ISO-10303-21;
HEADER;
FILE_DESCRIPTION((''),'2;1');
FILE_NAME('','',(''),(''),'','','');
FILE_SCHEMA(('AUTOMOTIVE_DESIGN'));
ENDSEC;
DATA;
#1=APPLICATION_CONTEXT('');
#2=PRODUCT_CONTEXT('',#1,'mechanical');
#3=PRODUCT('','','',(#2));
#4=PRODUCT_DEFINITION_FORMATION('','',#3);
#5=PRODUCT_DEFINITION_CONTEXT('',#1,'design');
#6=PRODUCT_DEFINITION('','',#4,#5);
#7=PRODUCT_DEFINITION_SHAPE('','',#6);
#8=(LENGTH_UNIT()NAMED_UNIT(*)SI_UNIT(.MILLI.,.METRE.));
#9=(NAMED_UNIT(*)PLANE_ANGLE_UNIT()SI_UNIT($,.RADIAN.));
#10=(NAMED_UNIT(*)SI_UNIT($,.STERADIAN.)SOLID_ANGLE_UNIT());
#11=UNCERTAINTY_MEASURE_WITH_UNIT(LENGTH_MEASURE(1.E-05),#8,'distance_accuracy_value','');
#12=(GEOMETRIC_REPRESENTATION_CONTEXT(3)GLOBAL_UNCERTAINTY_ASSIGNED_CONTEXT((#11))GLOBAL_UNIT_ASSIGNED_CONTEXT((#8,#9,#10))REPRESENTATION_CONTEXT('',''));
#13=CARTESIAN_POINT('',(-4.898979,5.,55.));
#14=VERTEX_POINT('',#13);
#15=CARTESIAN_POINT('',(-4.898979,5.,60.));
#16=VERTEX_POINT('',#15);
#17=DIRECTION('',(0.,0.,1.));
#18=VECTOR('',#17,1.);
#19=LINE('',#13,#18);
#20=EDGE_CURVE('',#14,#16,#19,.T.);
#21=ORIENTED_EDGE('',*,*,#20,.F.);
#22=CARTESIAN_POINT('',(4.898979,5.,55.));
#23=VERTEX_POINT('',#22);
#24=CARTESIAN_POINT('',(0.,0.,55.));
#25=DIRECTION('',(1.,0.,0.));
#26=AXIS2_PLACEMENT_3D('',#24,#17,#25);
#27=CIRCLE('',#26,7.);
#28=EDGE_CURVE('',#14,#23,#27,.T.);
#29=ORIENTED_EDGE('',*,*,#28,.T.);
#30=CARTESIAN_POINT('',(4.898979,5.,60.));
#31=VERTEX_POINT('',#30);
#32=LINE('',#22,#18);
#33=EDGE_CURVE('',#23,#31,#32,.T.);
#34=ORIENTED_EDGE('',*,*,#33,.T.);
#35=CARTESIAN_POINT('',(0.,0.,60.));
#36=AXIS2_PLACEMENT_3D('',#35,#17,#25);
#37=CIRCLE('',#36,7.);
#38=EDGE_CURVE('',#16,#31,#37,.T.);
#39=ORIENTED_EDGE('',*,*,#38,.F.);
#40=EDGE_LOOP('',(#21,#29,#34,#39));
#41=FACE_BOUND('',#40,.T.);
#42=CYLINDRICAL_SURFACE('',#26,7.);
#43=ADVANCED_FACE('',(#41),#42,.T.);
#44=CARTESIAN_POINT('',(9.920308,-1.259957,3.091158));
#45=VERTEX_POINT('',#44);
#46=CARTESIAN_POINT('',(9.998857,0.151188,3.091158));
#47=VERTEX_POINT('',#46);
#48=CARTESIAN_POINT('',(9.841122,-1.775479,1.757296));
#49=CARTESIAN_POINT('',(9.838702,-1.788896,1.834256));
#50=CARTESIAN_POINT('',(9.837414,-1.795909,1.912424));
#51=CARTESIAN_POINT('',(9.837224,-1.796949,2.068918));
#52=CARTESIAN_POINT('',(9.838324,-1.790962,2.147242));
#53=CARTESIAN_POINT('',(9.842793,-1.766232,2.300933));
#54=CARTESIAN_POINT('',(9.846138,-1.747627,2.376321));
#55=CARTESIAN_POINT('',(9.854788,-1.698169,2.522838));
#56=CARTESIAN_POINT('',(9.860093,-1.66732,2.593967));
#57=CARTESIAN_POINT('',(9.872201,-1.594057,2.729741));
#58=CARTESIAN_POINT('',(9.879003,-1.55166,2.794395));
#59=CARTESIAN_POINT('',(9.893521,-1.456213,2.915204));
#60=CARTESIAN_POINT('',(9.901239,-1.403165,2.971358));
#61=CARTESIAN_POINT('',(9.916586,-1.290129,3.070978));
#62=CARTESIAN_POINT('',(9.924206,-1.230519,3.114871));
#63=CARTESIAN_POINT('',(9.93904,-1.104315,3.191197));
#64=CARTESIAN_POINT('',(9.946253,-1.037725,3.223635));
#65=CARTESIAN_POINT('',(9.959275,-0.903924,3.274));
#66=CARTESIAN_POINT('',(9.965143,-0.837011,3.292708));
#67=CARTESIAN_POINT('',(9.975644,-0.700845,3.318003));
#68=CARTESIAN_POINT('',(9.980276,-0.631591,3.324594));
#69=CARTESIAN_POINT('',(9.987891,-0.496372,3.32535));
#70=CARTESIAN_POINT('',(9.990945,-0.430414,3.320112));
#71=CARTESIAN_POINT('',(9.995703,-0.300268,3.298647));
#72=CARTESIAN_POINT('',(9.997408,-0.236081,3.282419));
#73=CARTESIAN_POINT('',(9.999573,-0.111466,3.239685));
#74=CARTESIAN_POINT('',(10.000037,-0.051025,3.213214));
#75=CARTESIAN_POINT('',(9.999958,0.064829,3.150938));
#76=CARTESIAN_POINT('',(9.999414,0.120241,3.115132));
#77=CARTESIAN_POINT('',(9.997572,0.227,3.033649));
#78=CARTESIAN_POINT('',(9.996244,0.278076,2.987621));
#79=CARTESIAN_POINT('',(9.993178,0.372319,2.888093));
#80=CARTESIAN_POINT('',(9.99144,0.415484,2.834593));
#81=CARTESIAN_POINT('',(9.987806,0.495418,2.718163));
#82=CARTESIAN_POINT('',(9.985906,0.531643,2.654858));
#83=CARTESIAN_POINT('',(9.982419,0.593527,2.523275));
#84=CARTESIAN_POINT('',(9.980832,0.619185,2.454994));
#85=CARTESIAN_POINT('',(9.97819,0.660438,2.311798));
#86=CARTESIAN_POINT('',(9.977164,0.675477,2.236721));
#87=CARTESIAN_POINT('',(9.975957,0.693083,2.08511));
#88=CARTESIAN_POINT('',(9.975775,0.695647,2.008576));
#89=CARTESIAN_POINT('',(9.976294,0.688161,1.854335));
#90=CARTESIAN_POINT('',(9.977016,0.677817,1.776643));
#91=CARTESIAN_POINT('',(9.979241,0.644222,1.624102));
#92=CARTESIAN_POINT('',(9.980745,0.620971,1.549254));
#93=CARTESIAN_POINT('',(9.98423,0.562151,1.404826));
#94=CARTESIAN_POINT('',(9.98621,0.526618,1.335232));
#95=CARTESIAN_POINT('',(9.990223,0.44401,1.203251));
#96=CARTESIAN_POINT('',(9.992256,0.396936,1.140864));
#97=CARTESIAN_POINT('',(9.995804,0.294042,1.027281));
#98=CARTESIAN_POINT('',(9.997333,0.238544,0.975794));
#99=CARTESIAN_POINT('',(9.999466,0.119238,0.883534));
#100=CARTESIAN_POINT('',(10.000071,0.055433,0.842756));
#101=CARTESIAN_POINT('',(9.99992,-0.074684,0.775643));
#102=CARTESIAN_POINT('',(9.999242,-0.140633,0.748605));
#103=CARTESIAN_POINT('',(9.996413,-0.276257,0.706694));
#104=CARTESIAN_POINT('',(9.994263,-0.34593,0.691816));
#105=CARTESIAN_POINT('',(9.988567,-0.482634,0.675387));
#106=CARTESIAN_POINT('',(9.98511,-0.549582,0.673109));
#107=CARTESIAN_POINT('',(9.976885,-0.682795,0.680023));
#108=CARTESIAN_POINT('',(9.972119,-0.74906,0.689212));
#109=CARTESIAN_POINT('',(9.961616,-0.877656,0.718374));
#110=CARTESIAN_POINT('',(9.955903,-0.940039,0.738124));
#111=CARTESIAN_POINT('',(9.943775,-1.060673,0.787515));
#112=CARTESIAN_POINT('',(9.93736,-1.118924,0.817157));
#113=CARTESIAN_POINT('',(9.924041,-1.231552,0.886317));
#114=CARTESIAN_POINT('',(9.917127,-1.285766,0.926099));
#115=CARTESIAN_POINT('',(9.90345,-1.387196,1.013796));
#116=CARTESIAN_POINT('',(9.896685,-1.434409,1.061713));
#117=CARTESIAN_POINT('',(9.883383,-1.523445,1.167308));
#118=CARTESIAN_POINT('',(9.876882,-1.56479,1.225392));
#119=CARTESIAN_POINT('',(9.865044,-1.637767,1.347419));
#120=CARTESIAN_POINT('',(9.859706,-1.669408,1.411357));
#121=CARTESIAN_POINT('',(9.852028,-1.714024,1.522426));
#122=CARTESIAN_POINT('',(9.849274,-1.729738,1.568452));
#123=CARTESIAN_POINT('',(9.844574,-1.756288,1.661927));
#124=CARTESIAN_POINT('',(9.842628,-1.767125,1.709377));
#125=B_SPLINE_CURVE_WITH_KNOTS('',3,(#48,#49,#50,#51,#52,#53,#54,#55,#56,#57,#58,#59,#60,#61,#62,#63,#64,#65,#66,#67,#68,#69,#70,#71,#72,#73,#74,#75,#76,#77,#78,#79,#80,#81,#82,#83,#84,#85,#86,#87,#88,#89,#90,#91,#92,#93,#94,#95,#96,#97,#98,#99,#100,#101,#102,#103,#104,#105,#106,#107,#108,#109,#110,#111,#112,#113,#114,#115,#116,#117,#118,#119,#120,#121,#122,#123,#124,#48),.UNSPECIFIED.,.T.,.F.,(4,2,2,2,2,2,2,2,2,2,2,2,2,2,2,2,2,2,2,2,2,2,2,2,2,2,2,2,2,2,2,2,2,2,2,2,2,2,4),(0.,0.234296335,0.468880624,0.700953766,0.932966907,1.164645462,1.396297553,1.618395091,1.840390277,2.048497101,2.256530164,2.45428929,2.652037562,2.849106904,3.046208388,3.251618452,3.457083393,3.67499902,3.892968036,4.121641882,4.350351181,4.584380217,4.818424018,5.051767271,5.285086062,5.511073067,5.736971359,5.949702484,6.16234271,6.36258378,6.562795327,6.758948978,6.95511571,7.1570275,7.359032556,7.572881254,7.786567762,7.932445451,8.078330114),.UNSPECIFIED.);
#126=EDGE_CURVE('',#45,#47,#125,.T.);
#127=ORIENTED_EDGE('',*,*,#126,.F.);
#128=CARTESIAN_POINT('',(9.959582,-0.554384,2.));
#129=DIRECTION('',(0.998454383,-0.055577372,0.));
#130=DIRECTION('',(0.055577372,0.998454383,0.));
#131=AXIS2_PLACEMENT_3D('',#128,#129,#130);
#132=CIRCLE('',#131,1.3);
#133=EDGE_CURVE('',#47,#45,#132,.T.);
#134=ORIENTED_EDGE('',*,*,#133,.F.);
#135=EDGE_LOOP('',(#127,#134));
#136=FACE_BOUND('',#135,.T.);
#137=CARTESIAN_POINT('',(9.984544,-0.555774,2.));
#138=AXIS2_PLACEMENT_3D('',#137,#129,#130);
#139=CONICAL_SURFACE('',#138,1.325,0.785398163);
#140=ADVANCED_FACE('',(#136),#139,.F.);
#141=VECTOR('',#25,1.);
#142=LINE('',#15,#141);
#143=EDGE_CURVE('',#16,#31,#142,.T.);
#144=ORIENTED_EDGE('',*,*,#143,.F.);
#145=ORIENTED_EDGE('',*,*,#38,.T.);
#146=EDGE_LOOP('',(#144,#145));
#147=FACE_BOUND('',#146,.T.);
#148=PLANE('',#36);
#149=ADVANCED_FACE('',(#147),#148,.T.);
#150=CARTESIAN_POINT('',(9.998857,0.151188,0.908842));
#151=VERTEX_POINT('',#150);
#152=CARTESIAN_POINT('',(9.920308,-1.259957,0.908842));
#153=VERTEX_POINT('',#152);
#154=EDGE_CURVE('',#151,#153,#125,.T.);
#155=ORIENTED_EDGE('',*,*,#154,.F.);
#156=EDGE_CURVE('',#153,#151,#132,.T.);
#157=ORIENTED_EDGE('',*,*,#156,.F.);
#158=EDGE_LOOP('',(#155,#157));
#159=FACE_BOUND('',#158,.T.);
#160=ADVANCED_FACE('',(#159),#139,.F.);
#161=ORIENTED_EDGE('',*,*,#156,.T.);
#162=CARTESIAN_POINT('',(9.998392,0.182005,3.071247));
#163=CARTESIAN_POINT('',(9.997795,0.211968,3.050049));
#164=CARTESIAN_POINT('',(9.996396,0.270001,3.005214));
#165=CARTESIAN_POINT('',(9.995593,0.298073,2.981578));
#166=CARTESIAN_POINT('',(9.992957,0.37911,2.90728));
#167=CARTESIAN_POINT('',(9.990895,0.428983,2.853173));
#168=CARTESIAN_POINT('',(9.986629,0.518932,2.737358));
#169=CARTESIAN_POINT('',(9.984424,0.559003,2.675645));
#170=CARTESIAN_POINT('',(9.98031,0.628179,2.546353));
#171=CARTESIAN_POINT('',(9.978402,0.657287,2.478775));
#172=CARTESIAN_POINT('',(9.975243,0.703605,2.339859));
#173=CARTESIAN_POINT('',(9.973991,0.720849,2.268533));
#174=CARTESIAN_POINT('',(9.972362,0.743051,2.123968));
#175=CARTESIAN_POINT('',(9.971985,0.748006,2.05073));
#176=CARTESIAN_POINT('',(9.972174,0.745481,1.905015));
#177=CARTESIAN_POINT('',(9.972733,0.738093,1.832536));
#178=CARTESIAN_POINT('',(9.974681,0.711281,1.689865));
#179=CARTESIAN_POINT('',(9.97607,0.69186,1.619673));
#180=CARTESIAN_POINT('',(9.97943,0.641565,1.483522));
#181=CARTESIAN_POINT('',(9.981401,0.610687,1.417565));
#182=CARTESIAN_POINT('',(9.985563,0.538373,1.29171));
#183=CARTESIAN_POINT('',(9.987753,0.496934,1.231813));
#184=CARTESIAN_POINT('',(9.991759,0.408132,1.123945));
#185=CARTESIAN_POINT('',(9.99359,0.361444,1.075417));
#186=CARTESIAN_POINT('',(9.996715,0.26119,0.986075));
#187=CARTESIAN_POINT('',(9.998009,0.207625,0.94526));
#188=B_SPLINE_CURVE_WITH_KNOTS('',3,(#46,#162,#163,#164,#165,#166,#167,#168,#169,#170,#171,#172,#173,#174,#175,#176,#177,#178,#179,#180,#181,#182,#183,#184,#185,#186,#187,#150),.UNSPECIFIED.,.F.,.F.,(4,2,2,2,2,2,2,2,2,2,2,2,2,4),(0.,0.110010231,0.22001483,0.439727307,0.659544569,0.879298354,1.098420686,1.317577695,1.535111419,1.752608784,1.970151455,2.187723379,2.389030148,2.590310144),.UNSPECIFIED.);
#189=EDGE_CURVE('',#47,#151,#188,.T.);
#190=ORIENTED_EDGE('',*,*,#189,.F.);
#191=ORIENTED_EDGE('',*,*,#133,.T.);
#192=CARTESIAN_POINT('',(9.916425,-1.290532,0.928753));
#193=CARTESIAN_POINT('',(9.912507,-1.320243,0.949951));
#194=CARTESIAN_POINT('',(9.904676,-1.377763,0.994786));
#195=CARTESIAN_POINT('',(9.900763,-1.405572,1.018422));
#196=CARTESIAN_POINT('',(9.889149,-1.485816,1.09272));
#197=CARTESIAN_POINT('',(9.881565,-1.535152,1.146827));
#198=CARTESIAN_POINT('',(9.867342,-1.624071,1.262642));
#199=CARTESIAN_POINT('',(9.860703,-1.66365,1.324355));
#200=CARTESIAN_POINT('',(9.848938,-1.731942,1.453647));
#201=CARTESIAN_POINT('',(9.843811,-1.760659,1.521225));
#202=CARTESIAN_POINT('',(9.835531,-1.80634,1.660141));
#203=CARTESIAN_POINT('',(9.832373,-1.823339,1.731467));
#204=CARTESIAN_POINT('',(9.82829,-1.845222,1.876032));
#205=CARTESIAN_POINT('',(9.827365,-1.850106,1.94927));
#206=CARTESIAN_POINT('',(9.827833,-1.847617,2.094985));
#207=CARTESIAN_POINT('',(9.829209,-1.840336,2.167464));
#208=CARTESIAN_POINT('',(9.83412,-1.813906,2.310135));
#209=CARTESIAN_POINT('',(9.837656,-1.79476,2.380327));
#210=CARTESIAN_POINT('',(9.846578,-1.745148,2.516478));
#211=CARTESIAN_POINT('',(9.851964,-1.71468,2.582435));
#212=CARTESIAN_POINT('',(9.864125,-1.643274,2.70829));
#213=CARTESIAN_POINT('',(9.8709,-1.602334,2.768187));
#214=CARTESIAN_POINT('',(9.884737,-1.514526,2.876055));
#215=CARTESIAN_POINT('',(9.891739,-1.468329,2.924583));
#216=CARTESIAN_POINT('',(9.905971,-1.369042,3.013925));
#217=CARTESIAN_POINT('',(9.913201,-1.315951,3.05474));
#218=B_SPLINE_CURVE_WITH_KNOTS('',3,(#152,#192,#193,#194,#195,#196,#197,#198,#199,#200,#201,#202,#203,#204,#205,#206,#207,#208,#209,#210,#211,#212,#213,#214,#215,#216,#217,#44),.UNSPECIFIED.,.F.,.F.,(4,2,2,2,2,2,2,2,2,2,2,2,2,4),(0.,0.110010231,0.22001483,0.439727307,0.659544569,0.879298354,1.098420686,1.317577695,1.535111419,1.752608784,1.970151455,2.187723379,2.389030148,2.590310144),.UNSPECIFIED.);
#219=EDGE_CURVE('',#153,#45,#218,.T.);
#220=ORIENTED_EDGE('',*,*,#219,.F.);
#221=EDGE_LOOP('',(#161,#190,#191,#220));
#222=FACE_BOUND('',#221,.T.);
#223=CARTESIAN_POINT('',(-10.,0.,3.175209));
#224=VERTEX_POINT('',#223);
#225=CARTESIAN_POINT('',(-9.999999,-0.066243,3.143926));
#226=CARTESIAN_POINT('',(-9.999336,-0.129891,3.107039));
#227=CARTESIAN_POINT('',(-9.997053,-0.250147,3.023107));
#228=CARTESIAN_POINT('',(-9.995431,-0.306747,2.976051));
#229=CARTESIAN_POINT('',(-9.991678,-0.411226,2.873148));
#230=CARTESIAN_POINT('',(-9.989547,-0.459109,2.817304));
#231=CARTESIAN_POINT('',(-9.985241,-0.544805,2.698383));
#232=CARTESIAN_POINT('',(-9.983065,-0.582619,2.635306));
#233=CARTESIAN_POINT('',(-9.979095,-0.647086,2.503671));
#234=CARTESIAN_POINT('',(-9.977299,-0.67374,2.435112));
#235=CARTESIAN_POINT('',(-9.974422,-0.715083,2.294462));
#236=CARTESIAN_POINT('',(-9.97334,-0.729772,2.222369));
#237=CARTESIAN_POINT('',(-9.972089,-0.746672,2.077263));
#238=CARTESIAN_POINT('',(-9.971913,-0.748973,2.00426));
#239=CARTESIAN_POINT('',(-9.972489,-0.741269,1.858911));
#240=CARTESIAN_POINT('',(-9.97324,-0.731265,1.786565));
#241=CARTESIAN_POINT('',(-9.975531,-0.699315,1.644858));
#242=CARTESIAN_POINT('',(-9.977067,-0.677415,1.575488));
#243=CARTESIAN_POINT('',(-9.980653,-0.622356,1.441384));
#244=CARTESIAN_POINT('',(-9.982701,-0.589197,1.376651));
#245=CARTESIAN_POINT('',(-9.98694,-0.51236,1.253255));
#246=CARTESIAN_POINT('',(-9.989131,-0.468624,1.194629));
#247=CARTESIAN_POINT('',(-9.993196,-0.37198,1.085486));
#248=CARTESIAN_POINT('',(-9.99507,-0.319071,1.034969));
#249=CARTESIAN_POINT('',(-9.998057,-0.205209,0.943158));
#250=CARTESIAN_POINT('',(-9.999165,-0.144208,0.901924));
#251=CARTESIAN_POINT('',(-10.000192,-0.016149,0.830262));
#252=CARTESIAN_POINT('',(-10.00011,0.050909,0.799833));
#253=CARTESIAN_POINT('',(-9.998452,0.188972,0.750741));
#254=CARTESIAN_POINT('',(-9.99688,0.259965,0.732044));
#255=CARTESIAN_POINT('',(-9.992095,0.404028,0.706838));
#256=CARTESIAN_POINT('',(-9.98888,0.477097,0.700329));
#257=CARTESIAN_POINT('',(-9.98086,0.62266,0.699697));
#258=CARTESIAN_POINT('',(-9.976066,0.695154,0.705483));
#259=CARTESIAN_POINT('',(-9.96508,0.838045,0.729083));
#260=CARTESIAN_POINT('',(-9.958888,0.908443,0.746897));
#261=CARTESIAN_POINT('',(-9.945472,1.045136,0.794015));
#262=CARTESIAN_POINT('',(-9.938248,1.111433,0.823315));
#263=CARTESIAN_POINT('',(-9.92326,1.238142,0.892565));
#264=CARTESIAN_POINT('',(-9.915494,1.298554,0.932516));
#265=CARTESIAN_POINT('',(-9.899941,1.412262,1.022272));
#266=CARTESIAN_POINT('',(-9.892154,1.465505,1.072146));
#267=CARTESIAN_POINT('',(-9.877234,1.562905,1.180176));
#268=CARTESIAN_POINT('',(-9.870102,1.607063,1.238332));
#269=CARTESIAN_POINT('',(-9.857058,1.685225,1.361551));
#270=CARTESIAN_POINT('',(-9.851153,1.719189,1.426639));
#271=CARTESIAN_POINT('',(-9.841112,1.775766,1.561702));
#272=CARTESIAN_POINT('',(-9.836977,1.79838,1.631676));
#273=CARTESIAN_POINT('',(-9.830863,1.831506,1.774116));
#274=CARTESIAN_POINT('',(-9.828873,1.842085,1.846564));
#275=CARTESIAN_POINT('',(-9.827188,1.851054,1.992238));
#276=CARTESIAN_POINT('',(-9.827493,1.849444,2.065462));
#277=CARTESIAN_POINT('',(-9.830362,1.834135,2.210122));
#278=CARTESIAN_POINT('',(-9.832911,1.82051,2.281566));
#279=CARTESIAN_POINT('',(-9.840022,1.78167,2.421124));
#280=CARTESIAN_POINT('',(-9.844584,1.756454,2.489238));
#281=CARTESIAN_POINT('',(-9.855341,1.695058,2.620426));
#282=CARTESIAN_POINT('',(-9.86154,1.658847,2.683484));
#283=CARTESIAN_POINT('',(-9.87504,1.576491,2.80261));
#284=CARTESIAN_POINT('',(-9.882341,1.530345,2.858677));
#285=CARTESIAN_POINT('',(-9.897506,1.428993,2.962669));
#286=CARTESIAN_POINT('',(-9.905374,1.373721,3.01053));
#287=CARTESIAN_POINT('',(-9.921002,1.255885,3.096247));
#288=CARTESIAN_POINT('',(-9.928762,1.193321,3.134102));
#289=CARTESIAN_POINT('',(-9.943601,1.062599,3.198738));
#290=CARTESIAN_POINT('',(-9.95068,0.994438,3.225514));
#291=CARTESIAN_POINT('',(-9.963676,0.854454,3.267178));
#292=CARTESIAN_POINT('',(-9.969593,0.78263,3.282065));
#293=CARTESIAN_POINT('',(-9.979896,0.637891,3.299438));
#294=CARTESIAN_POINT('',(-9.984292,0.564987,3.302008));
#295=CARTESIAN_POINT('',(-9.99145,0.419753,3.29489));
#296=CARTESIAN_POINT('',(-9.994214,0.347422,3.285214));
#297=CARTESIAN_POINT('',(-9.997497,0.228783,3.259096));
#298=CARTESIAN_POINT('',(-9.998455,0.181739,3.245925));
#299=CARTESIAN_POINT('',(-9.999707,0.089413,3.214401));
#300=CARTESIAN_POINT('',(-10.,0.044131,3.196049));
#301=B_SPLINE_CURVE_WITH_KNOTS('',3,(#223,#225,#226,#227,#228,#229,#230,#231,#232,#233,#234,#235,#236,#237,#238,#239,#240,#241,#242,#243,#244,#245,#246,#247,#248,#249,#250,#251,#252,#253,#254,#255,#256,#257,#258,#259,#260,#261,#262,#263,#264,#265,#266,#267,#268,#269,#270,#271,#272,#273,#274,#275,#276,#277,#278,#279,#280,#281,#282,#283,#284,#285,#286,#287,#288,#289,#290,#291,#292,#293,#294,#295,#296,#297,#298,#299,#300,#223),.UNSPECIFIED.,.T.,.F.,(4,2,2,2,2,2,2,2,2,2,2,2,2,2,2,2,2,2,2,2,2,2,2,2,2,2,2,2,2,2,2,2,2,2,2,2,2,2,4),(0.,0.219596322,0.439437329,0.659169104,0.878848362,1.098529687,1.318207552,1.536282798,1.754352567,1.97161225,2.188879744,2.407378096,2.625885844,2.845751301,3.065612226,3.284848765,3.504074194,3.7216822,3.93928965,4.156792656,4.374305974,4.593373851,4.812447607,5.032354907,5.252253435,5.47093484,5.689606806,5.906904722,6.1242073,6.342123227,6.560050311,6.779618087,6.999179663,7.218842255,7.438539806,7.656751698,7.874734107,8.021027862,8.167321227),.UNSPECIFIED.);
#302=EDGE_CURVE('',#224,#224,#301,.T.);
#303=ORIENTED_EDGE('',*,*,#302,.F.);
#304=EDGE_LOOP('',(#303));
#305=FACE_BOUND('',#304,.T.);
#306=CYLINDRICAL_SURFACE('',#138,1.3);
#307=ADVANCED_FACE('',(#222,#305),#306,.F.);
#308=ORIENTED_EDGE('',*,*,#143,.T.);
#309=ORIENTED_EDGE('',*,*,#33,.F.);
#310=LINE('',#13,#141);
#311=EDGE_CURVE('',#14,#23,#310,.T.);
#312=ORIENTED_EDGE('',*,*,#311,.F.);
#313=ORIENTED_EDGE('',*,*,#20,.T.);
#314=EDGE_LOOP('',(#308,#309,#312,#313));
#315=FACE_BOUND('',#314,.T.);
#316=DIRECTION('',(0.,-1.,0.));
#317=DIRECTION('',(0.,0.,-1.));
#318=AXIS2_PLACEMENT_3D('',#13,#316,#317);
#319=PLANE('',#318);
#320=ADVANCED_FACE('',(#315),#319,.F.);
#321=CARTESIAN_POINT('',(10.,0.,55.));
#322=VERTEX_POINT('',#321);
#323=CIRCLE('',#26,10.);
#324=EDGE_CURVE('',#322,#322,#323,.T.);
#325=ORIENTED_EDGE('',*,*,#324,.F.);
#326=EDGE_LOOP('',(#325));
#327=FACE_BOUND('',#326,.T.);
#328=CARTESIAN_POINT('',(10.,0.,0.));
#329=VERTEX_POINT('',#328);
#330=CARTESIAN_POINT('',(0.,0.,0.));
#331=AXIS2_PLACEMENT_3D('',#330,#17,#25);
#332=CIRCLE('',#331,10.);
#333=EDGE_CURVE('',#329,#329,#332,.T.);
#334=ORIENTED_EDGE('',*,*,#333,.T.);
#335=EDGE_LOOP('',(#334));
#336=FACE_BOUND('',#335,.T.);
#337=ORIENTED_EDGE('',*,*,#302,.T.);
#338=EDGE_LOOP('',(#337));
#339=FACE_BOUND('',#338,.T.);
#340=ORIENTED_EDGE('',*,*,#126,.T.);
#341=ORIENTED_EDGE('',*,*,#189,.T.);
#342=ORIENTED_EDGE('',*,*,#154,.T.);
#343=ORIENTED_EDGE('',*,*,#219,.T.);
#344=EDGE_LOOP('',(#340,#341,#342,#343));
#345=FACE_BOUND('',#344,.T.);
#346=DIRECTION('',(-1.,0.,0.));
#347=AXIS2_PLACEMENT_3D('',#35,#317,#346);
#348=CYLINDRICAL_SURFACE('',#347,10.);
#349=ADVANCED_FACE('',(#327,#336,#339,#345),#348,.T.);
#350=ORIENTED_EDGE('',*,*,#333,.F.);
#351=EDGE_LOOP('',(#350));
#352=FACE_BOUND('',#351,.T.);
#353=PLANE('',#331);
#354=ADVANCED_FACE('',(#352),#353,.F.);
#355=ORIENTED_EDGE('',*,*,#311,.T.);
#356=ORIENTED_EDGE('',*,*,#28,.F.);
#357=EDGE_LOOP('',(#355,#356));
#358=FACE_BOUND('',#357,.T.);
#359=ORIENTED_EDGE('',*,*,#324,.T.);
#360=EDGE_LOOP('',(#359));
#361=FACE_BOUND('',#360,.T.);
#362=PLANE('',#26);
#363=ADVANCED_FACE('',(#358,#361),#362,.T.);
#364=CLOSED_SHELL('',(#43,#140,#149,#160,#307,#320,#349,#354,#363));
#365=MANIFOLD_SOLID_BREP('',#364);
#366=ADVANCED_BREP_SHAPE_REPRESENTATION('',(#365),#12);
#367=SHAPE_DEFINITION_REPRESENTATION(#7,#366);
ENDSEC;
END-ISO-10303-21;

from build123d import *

# Parameters (mm, degrees)
ESBO_O1_R                         = 10
RESSALTO_EXTRUS_O1_DEPTH          = 60
CORTE_EXTRUS_O1_START             = -5
ESBO_O7_R                         = 10
ESBO_O7_R_2                       = 7
CORTE_EXTRUS_O1_DEPTH             = 5
CORTE_EXTRUS_O2_START             = -5
CORTE_EXTRUS_O2_DEPTH             = 5
FURO_COM_FOLGA_DE_M21_D           = 2.6
FURO_COM_FOLGA_DE_M21_CSINK_D     = 2.65
FURO_COM_FOLGA_DE_M21_CSINK_ANGLE = 90


with BuildPart() as part:
    # Esboço1 → Ressalto-extrusão1 (new body)
    with BuildSketch(Plane.XY):
        Circle(ESBO_O1_R)
    extrude(amount=RESSALTO_EXTRUS_O1_DEPTH)

    # Esboço7 → Corte-extrusão1 (cut)
    with BuildSketch(Plane.XY.offset(60).offset(CORTE_EXTRUS_O1_START)):
        Circle(ESBO_O7_R)
        Circle(ESBO_O7_R_2, mode=Mode.SUBTRACT)
    extrude(amount=CORTE_EXTRUS_O1_DEPTH, mode=Mode.SUBTRACT)

    # Esboço9 → Corte-extrusão2 (cut)
    with BuildSketch(Plane.XY.offset(60).offset(CORTE_EXTRUS_O2_START)):
        with BuildLine():
            Line((-4.898979486, 5), (4.898979486, 5))
            ThreePointArc((4.898979486, 5), (0, 7), (-4.898979486, 5))
        make_face()
    extrude(amount=CORTE_EXTRUS_O2_DEPTH, mode=Mode.SUBTRACT)

    # Furo com folga de M21 (through all)
    with Locations(Plane(origin=(9.984543834, -0.555773718, 2), x_dir=(0.055577371817, 0.998454383406, 0), z_dir=(0.998454383406, -0.055577371817, 0))):
        with Locations((0, 0)):
            CounterSinkHole(FURO_COM_FOLGA_DE_M21_D / 2, FURO_COM_FOLGA_DE_M21_CSINK_D / 2, counter_sink_angle=FURO_COM_FOLGA_DE_M21_CSINK_ANGLE)


solid = part.part
